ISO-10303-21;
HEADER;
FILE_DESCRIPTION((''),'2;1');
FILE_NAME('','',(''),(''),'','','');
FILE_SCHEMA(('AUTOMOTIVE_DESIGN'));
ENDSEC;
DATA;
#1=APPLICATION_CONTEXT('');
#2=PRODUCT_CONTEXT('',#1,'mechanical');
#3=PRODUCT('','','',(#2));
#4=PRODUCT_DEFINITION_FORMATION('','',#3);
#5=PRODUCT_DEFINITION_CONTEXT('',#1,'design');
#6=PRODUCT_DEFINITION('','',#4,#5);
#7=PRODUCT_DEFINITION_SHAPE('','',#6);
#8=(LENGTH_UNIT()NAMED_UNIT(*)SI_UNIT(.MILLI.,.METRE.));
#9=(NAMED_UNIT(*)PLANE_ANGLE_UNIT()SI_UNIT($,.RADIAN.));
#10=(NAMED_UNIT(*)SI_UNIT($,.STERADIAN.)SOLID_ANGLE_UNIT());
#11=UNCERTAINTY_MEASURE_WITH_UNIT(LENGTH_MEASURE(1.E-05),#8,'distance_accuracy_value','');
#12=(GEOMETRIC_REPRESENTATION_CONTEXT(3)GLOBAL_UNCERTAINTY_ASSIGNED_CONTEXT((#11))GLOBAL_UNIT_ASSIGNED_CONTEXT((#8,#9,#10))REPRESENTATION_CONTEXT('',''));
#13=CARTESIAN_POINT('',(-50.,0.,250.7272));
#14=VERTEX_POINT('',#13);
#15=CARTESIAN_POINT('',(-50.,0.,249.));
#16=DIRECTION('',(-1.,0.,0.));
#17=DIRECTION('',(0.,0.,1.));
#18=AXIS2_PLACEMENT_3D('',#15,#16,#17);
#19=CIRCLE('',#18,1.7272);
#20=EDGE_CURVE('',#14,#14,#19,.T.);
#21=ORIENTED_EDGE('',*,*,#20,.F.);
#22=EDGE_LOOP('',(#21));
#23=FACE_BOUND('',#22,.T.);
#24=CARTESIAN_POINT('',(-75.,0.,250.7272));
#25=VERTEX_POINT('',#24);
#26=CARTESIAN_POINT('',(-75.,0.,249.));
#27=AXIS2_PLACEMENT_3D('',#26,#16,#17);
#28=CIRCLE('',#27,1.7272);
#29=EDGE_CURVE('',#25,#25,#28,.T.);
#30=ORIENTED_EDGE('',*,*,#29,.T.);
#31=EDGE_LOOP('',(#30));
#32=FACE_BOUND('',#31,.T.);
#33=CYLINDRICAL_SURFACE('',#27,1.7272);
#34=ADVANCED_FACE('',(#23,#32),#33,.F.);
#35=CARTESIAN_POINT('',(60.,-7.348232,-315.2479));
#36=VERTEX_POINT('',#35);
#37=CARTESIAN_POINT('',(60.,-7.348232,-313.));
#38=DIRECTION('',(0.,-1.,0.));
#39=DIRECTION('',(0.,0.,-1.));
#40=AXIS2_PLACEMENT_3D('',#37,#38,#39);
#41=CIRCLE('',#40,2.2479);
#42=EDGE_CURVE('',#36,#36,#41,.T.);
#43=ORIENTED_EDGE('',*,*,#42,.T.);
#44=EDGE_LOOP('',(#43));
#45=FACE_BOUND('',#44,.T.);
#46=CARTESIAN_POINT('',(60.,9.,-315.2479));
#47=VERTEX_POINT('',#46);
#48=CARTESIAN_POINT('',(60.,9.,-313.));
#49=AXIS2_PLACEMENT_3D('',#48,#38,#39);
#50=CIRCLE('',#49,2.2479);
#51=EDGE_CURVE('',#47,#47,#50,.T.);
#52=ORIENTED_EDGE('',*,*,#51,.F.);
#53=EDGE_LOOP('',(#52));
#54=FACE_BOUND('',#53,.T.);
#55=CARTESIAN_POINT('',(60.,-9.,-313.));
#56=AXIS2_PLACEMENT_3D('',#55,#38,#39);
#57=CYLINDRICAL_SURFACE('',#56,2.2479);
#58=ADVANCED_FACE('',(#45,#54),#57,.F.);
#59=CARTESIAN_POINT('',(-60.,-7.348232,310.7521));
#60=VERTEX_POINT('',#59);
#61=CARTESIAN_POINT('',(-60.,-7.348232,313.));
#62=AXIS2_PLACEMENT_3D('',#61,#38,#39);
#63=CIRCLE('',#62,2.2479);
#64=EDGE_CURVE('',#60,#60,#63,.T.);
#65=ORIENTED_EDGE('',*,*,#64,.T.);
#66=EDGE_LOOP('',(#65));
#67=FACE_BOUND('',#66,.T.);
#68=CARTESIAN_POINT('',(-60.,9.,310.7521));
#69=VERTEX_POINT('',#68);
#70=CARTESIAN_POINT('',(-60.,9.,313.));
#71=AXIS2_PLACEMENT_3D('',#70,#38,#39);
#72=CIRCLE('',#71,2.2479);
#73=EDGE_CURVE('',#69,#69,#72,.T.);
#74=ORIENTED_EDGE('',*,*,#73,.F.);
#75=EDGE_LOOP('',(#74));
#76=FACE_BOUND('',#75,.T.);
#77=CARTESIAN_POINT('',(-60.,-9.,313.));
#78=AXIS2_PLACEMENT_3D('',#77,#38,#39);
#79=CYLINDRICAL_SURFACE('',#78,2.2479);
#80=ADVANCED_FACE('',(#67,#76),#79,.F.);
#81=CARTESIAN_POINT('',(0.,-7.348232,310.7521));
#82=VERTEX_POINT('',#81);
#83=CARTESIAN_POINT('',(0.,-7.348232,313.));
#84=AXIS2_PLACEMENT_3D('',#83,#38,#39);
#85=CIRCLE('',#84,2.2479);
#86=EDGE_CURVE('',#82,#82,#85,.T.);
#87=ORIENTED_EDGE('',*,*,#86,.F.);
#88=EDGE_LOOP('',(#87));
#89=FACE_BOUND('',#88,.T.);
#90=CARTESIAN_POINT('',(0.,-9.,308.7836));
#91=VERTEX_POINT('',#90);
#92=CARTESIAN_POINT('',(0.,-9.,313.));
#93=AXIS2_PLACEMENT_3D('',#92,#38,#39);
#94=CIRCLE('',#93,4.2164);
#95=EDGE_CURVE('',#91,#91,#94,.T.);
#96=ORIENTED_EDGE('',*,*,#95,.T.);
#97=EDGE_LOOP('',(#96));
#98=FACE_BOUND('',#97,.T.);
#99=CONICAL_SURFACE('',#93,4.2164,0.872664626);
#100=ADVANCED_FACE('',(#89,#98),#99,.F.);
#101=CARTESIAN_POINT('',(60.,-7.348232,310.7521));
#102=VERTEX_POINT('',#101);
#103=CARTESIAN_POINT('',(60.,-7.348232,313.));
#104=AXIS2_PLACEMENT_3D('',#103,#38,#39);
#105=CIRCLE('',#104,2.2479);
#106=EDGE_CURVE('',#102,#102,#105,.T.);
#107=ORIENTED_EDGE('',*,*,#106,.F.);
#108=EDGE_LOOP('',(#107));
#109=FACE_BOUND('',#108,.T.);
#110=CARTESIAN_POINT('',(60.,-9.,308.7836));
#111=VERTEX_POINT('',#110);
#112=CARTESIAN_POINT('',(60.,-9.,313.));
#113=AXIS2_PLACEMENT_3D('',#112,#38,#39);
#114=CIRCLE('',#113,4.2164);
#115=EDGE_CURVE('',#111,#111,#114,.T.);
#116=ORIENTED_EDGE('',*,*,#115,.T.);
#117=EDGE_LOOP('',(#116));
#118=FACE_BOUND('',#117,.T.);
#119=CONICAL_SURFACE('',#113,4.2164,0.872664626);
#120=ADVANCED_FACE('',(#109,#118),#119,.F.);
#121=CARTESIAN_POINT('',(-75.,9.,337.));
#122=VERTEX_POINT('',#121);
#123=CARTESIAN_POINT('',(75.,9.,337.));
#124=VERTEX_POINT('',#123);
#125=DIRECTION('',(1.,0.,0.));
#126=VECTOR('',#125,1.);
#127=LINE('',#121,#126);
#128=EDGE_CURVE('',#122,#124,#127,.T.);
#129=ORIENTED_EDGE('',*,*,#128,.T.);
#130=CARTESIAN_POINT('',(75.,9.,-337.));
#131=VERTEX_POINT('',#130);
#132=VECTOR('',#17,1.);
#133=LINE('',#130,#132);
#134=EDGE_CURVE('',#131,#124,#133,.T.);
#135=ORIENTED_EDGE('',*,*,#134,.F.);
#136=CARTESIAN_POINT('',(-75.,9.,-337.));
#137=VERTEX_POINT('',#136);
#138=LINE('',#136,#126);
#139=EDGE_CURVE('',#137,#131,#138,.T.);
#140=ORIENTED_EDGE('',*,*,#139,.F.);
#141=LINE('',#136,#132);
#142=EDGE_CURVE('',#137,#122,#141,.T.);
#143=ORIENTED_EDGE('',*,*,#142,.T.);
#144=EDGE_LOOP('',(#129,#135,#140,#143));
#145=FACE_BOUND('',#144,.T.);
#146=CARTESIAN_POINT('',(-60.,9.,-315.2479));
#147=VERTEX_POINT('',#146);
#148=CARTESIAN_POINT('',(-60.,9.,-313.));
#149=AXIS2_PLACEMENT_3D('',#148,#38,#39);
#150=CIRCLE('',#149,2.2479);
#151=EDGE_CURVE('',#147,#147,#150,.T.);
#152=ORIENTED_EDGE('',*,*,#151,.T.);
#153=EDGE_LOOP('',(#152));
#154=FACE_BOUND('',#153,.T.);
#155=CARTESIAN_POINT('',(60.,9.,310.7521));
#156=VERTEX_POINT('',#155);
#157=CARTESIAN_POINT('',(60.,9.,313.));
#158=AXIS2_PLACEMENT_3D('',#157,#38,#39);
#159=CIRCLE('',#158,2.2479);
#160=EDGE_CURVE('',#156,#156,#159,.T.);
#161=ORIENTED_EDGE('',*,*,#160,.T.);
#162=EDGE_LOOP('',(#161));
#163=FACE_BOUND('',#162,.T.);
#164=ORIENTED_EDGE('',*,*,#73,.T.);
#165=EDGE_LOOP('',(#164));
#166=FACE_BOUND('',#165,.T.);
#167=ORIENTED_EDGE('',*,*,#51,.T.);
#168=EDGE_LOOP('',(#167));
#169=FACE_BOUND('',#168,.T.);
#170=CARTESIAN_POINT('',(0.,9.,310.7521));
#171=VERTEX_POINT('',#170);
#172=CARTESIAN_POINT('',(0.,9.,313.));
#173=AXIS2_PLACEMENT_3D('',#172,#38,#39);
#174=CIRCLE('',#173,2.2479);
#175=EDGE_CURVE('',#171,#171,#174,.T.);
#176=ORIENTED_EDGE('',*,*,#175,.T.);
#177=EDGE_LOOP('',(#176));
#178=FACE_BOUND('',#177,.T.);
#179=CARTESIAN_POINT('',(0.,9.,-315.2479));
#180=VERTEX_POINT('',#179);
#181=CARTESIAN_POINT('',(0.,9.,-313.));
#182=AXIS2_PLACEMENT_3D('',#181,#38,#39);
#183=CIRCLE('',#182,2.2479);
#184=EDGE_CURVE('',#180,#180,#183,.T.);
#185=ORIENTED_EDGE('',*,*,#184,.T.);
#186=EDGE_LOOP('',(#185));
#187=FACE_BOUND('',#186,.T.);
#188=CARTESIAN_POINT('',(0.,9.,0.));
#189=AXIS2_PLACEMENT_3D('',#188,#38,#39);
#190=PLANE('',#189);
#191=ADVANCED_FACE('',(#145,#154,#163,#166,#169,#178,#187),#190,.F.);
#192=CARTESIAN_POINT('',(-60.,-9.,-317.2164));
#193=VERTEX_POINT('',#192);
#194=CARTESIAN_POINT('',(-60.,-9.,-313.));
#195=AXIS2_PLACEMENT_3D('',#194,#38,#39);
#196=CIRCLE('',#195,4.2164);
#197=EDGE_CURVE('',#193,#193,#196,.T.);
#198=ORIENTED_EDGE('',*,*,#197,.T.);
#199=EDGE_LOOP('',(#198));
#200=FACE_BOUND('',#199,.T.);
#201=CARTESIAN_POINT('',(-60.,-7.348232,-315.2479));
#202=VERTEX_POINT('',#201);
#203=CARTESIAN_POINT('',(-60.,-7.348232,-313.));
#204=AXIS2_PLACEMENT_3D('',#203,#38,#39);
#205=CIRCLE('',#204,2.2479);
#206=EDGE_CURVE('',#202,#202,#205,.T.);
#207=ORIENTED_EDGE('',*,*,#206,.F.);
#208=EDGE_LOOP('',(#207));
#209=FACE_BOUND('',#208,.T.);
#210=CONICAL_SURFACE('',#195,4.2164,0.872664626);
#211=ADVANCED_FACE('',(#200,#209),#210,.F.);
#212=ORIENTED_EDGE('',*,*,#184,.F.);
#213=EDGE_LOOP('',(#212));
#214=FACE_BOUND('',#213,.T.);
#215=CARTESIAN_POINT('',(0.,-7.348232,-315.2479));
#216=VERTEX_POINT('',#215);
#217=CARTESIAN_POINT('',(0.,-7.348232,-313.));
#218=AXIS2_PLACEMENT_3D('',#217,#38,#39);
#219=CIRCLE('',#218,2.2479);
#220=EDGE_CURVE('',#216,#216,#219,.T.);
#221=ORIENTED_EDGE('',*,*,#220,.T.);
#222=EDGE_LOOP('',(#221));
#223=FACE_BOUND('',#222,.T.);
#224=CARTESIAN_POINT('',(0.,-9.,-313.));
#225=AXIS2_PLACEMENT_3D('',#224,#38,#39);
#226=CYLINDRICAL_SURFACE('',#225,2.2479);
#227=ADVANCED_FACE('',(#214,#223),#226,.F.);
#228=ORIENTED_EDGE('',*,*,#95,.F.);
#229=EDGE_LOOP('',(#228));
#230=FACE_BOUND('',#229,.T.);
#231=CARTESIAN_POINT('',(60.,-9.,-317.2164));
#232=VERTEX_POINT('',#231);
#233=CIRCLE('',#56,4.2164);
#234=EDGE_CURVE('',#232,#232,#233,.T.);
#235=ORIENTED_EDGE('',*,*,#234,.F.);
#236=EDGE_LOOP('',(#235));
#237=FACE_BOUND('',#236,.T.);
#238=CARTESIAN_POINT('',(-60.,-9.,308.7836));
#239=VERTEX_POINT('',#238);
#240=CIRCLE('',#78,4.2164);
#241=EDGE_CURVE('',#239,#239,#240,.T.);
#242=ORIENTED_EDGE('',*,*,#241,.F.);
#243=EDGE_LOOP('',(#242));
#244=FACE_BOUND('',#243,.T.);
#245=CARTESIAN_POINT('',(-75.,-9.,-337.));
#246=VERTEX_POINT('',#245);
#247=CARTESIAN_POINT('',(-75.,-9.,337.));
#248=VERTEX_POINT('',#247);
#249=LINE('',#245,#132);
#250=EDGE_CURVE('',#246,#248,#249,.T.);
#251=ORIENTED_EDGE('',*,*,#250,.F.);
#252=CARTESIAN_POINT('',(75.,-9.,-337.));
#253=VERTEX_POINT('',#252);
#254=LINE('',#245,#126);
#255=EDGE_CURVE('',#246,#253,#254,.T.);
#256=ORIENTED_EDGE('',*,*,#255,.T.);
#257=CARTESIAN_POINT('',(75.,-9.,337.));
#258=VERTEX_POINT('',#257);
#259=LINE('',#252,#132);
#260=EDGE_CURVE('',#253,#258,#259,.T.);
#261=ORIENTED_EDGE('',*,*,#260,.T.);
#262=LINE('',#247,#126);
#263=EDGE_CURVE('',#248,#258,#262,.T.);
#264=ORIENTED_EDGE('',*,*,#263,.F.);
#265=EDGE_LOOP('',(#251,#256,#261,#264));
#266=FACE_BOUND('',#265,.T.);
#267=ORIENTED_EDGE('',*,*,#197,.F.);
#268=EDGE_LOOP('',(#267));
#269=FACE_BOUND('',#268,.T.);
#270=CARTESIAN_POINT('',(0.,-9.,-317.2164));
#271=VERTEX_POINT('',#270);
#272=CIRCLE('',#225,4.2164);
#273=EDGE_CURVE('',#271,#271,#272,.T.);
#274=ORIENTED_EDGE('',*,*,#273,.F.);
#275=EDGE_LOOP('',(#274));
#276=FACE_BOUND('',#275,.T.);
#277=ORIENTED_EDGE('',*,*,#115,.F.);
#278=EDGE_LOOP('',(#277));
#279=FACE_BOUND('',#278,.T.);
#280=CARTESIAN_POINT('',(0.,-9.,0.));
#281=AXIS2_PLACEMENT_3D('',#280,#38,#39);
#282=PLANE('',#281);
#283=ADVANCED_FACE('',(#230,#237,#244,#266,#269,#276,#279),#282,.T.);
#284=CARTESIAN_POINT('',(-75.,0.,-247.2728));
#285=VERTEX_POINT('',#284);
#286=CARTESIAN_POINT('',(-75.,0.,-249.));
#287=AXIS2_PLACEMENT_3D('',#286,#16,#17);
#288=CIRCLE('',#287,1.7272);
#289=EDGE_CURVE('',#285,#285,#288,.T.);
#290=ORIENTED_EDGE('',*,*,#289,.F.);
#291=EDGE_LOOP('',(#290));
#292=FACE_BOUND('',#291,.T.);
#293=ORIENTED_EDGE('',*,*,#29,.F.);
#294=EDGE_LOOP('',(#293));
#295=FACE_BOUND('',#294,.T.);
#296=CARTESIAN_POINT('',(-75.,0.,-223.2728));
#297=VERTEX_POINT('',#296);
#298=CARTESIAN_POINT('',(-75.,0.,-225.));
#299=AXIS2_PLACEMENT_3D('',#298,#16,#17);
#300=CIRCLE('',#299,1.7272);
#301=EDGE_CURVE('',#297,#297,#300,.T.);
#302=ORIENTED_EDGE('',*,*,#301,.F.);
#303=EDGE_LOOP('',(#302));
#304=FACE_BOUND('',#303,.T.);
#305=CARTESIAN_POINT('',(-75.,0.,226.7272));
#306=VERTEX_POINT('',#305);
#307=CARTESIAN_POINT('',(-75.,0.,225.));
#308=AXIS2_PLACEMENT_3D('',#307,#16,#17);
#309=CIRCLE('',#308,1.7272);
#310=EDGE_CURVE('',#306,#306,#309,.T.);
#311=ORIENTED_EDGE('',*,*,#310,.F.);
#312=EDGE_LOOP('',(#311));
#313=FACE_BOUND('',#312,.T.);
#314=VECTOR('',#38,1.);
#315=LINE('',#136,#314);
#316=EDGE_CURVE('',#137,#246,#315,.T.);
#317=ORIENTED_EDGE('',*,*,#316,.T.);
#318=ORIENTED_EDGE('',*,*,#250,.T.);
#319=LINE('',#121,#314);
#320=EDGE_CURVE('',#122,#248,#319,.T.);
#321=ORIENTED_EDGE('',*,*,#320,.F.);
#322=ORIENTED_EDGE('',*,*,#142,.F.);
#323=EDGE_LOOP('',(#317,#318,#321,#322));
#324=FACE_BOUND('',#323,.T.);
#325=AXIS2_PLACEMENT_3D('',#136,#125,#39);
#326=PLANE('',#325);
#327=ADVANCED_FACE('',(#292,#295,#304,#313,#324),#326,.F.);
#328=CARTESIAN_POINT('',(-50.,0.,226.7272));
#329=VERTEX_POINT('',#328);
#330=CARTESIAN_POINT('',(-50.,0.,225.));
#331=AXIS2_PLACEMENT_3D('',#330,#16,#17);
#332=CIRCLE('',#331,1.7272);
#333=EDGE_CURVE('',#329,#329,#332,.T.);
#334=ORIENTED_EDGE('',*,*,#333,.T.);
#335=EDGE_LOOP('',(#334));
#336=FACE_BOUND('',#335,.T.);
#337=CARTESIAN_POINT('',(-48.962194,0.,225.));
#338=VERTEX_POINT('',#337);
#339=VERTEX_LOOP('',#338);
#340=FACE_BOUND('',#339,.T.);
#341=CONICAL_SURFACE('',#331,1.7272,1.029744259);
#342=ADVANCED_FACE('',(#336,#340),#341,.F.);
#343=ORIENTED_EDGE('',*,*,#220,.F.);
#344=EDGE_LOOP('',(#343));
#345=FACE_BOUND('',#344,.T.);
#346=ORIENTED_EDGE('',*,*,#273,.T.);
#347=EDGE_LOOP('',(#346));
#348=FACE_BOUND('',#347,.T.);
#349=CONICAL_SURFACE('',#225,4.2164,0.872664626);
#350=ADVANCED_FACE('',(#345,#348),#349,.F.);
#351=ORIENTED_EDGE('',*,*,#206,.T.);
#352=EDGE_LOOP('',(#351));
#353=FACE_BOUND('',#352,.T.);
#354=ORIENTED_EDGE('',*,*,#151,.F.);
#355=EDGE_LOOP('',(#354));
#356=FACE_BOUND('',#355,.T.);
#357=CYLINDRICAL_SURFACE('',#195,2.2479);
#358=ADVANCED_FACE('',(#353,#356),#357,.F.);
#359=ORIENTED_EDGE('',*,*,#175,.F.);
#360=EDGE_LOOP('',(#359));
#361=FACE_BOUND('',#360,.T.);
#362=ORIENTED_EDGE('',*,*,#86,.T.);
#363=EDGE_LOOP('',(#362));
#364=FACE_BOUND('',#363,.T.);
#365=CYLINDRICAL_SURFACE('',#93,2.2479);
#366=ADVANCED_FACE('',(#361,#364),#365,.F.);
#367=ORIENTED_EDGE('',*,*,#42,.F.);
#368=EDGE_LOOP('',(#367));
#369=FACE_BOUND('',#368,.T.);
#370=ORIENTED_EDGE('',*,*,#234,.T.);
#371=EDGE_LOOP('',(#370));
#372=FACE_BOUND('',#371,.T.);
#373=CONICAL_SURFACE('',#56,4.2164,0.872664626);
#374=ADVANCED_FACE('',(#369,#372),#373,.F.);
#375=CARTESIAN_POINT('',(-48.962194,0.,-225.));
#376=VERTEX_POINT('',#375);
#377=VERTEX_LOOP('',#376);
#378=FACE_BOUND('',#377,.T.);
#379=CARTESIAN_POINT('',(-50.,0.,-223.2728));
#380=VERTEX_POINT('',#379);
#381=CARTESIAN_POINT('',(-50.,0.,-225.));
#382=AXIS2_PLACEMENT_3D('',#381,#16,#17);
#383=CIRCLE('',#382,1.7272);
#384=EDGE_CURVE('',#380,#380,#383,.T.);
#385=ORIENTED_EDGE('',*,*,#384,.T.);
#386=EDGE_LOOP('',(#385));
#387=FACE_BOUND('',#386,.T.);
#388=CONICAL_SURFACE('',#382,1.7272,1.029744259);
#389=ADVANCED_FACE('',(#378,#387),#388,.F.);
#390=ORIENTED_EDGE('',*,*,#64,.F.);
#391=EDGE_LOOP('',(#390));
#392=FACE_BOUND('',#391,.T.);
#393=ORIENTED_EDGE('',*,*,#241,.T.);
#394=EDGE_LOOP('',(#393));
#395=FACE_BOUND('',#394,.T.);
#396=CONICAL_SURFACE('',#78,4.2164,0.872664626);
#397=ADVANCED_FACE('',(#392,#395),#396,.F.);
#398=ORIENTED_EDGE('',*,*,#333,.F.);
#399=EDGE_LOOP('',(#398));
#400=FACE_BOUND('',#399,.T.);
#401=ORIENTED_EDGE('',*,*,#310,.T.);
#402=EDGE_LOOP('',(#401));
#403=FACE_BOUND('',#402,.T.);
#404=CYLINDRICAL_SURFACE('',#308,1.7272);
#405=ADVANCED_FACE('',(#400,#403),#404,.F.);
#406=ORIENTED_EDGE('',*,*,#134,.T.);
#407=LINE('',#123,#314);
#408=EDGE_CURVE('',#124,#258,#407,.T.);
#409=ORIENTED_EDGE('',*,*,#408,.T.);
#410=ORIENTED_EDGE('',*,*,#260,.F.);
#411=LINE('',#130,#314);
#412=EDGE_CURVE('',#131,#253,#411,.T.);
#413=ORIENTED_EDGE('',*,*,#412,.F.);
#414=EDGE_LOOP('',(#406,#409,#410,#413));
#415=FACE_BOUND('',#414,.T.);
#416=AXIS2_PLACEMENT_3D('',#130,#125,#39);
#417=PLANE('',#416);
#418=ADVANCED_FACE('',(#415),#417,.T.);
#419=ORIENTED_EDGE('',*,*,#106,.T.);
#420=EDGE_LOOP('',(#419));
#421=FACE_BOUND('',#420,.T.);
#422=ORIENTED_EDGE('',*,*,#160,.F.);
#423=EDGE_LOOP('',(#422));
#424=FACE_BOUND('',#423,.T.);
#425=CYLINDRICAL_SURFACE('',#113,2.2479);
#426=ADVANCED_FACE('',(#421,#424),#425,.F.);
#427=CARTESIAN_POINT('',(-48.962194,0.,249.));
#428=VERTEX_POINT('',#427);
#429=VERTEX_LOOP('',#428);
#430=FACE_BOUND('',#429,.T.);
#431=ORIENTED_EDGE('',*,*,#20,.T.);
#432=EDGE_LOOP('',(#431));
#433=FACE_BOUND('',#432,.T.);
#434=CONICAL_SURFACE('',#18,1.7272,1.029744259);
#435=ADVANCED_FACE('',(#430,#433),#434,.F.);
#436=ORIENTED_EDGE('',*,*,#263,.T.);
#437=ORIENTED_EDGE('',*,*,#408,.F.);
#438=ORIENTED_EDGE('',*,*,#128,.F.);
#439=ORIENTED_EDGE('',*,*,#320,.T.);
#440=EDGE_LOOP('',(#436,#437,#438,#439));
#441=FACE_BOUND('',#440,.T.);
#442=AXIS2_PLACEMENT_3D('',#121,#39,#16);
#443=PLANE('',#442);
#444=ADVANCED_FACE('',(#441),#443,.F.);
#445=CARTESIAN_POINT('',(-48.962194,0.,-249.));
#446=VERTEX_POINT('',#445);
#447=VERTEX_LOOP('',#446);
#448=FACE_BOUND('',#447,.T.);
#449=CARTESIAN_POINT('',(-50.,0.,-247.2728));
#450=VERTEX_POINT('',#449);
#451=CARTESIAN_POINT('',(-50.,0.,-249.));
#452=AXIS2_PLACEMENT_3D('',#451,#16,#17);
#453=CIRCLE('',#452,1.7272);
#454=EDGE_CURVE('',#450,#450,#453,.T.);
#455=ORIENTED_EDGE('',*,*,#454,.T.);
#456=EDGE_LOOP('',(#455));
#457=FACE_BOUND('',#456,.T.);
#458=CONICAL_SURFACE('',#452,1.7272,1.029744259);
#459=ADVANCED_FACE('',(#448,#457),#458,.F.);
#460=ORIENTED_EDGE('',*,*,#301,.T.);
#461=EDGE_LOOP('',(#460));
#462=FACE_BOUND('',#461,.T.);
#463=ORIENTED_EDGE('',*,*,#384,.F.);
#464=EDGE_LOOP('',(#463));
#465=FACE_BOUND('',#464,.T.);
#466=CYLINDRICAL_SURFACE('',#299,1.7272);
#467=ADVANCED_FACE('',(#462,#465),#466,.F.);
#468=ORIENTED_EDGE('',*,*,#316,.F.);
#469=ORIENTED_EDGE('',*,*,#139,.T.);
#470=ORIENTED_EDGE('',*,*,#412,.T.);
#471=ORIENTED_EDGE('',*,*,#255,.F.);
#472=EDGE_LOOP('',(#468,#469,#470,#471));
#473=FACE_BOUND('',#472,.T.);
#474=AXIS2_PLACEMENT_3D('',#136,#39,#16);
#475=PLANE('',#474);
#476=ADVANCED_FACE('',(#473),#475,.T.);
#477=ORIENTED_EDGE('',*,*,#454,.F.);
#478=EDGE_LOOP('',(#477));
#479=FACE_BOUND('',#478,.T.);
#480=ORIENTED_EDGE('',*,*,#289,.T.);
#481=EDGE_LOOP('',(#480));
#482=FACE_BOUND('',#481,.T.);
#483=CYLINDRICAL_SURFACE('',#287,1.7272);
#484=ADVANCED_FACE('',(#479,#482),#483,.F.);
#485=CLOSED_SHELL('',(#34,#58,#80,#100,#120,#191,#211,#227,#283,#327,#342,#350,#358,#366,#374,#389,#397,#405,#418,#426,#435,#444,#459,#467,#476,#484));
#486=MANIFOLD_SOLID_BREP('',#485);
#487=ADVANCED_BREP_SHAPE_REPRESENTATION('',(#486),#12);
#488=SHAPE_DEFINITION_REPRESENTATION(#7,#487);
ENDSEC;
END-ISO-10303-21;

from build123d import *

# Parameters (mm, degrees)
SKETCH1_W                                         = 150
SKETCH1_H                                         = 674
BOSS_EXTRUDE1_DEPTH                               = 9
CSK_FOR_8_FLAT_HEAD_MACHINE_SCREW_100_D           = 4.4958
CSK_FOR_8_FLAT_HEAD_MACHINE_SCREW_100_CSINK_D     = 8.4328
CSK_FOR_8_FLAT_HEAD_MACHINE_SCREW_100_CSINK_ANGLE = 100
F_8_36_TAPPED_HOLE1_AT_2_COUNT                    = 2
F_8_36_TAPPED_HOLE1_AT_2_PITCH                    = 24


with BuildPart() as part:
    # Sketch1 → Boss-Extrude1 (new, symmetric)
    with BuildSketch(Plane(origin=(0, 0, 0), x_dir=(1, 0, 0), z_dir=(0, 1, 0))):
        Rectangle(SKETCH1_W, SKETCH1_H)
    extrude(amount=BOSS_EXTRUDE1_DEPTH, both=True)

    # CSK for #8 Flat Head Machine Screw (100)1 (through all)
    with Locations(Plane(origin=(-75, -9, 0), x_dir=(0, 0, -1), z_dir=(0, -1, 0))):
        with Locations((-313, 135), (-313, 75), (-313, 15)):
            csk_for_8_flat_head_machine_screw_100 = CounterSinkHole(CSK_FOR_8_FLAT_HEAD_MACHINE_SCREW_100_D / 2, CSK_FOR_8_FLAT_HEAD_MACHINE_SCREW_100_CSINK_D / 2, counter_sink_angle=CSK_FOR_8_FLAT_HEAD_MACHINE_SCREW_100_CSINK_ANGLE)

    # Sketch5 → #8-36 Tapped Hole1 (revolve, cut)
    with BuildSketch(Plane(origin=(-75, 0, 249), x_dir=(0, 0, 1), z_dir=(0, 1, 0))):
        Polygon((0, 0), (0, 26.037806461), (1.7272, 25), (1.7272, 0), align=None)
    f_8_36_tapped_hole1 = revolve(axis=Axis((-81.35, 0, 249), (1, 0, 0)), mode=Mode.SUBTRACT)

    # #8-36 Tapped Hole1 at 2: #8-36 Tapped Hole1 ×2
    with Locations(*[(0, 0, -i * F_8_36_TAPPED_HOLE1_AT_2_PITCH) for i in range(1, F_8_36_TAPPED_HOLE1_AT_2_COUNT)]):
        add(f_8_36_tapped_hole1, mode=Mode.SUBTRACT)

    # Mirror1: CSK for #8 Flat Head Machine Screw (100)1, #8-36 Tapped Hole1 across plane
    add(csk_for_8_flat_head_machine_screw_100.mirror(Plane.XY), mode=Mode.SUBTRACT)
    add(f_8_36_tapped_hole1.mirror(Plane.XY), mode=Mode.SUBTRACT)

    # Mirror1 copy 1 sketch → Mirror1 copy 1 (revolve, cut)
    with BuildSketch(Plane(origin=(-75, 0, -225), x_dir=(0, 0, -1), z_dir=(0, 1, 0))):
        Polygon((0, 0), (0, -26.037806461), (1.7272, -25), (1.7272, 0), align=None)
    revolve(axis=Axis((-81.35, 0, -225), (-1, 0, 0)), mode=Mode.SUBTRACT)


solid = part.part
